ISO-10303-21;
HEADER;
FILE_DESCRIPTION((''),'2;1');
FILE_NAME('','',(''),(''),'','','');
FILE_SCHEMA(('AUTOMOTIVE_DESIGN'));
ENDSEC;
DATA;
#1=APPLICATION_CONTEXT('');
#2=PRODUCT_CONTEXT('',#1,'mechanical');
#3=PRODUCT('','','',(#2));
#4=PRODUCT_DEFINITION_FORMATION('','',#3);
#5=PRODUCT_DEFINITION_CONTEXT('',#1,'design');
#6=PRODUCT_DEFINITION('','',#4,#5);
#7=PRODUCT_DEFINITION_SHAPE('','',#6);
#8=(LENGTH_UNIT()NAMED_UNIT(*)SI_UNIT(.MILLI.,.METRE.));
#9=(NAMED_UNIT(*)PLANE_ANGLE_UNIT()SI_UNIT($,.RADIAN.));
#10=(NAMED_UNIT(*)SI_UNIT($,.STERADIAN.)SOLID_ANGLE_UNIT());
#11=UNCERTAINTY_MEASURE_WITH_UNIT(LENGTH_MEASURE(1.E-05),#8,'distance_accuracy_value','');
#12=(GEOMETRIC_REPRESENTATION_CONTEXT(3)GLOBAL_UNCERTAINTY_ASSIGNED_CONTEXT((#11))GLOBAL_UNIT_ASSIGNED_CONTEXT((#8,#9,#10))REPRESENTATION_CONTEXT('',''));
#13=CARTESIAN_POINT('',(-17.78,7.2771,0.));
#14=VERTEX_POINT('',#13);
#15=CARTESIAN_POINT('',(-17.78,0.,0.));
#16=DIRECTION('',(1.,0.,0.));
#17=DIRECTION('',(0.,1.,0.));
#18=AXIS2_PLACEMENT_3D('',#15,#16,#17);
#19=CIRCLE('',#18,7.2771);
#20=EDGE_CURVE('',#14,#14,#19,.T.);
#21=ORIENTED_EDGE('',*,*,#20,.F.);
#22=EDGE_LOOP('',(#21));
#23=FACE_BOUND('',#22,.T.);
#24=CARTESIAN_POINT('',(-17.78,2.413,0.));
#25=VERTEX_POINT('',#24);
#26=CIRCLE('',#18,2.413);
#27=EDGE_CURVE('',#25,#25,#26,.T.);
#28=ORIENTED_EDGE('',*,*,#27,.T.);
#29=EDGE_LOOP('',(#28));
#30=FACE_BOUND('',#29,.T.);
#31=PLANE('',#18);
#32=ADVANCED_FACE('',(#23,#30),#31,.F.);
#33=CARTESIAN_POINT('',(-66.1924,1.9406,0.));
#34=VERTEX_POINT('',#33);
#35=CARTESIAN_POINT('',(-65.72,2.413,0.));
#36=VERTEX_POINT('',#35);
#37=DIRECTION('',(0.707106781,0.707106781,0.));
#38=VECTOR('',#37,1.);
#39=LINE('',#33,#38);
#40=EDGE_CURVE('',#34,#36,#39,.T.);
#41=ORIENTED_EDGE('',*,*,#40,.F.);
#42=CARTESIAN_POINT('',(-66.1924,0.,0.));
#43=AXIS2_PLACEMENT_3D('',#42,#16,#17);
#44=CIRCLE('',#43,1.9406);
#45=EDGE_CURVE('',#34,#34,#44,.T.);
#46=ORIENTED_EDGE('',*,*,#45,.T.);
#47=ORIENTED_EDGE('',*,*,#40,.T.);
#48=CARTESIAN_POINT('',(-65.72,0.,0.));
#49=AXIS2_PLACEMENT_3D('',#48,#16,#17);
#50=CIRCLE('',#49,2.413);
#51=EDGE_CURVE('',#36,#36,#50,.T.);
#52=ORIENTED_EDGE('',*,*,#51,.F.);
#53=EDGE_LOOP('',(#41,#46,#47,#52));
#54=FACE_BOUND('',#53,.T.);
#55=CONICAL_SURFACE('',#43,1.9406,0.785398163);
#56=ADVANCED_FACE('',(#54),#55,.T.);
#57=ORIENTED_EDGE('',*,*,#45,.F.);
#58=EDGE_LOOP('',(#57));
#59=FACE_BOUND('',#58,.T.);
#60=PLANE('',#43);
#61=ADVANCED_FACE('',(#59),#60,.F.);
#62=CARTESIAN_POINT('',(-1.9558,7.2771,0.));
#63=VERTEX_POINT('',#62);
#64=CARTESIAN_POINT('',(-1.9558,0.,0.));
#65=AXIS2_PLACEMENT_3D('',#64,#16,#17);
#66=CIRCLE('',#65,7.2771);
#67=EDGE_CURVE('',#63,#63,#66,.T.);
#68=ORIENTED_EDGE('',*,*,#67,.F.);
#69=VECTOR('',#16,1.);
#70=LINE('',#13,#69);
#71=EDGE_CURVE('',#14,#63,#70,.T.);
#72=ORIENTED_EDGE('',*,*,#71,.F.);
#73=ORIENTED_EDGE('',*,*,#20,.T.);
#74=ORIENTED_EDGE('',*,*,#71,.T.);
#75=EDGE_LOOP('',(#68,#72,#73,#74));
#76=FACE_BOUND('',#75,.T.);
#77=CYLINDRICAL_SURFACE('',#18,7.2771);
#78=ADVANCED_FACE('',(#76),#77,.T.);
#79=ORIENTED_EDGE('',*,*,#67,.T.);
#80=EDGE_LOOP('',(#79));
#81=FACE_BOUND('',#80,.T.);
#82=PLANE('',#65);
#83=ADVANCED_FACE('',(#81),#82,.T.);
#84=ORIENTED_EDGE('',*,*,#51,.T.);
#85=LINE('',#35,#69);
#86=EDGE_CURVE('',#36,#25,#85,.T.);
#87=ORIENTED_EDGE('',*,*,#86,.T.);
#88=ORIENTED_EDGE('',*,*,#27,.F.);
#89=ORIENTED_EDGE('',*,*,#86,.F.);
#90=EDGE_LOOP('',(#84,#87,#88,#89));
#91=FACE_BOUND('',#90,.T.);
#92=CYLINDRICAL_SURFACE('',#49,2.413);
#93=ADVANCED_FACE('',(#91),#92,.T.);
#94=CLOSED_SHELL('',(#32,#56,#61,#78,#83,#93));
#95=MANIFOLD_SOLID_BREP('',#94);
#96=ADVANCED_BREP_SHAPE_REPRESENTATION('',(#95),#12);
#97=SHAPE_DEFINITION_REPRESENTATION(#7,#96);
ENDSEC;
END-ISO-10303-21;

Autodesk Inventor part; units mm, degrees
sketch "Sketch_5" plane through (0, 0, 0) normal (0, 0, 1) x (1, 0, 0)
  line L0 (-9.525, 0) -> (-66.1924, 0)
  line L1 (-66.1924, 0) -> (-66.1924, 1.9406)
  line L2 (-66.1924, 1.9406) -> (-65.72, 2.413)
  line L3 (-65.72, 2.413) -> (-9.525, 2.413)
  line L4 (-9.525, 2.413) -> (-9.525, 0)
  line L5 (-9.525, 0) -> (-66.1924, 0)
revolve "Revolution1" add sketch "Sketch_5" angle 360 about axis through (-9.525, 0, 0) along (1, 0, 0)
sketch "Sketch_14" plane through (0, 0, 0) normal (0, 0, 1) x (1, 0, 0)
  line L0 (-1.9558, 0) -> (-17.78, 0)
  line L1 (-17.78, 0) -> (-17.78, 7.2771)
  line L2 (-17.78, 7.2771) -> (-1.9558, 7.2771)
  line L3 (-1.9558, 7.2771) -> (-1.9558, 0)
  line L4 (-1.9558, 0) -> (-17.78, 0)
revolve "Revolution2" add sketch "Sketch_14" angle 360 about axis through (-1.9558, 0, 0) along (1, 0, 0)
ref_plane "h1_XY" through (-66.1924, 0, 0) normal (0, 1, 0) x (1, 0, 0)
ref_plane "h1_YZ" through (-66.1924, 0, 0) normal (1, 0, 0) x (0, 0, -1)
ref_plane "h1_ZX" through (-66.1924, 0, 0) normal (0, 0, -1) x (0, 1, 0)
ref_plane "h2_XY" through (-66.1924, 0, 0) normal (0, 1, 0) x (1, 0, 0)
ref_plane "h2_YZ" through (-66.1924, 0, 0) normal (1, 0, 0) x (0, 0, -1)
ref_plane "h2_ZX" through (-66.1924, 0, 0) normal (0, 0, -1) x (0, 1, 0)
ref_plane "k1_XY" through (-66.1924, 0, -2.413) normal (0, 1, 0) x (1, 0, 0)
ref_plane "k1_YZ" through (-66.1924, 0, -2.413) normal (1, 0, 0) x (0, 0, -1)
ref_plane "k1_ZX" through (-66.1924, 0, -2.413) normal (0, 0, -1) x (0, 1, 0)
ref_plane "k2_XY" through (-66.1924, 0, 2.413) normal (0, 1, 0) x (1, 0, 0)
ref_plane "k2_YZ" through (-66.1924, 0, 2.413) normal (1, 0, 0) x (0, 0, -1)
ref_plane "k2_ZX" through (-66.1924, 0, 2.413) normal (0, 0, -1) x (0, 1, 0)
ref_plane "start_XY" through (-53.4924, 0, 0) normal (0, 1, 0) x (1, 0, 0)
ref_plane "start_YZ" through (-53.4924, 0, 0) normal (1, 0, 0) x (0, 0, -1)
ref_plane "start_ZX" through (-53.4924, 0, 0) normal (0, 0, -1) x (0, 1, 0)
ref_plane "to_prc_XY" through (-66.1924, 0, 0) normal (1, 0, 0) x (0, 0, -1)
ref_plane "to_prc_YZ" through (-66.1924, 0, 0) normal (0, 0, -1) x (0, 1, 0)
ref_plane "to_prc_ZX" through (-66.1924, 0, 0) normal (0, 1, 0) x (1, 0, 0)
ref_plane "to_rod_guide_XY" through (-66.1924, 0, 0) normal (1, 0, 0) x (0, 0, -1)
ref_plane "to_rod_guide_YZ" through (-66.1924, 0, 0) normal (0, 0, -1) x (0, 1, 0)
ref_plane "to_rod_guide_ZX" through (-66.1924, 0, 0) normal (0, 1, 0) x (1, 0, 0)
properties part number "D-95380.75-0.75XP-2.606-3pos"
